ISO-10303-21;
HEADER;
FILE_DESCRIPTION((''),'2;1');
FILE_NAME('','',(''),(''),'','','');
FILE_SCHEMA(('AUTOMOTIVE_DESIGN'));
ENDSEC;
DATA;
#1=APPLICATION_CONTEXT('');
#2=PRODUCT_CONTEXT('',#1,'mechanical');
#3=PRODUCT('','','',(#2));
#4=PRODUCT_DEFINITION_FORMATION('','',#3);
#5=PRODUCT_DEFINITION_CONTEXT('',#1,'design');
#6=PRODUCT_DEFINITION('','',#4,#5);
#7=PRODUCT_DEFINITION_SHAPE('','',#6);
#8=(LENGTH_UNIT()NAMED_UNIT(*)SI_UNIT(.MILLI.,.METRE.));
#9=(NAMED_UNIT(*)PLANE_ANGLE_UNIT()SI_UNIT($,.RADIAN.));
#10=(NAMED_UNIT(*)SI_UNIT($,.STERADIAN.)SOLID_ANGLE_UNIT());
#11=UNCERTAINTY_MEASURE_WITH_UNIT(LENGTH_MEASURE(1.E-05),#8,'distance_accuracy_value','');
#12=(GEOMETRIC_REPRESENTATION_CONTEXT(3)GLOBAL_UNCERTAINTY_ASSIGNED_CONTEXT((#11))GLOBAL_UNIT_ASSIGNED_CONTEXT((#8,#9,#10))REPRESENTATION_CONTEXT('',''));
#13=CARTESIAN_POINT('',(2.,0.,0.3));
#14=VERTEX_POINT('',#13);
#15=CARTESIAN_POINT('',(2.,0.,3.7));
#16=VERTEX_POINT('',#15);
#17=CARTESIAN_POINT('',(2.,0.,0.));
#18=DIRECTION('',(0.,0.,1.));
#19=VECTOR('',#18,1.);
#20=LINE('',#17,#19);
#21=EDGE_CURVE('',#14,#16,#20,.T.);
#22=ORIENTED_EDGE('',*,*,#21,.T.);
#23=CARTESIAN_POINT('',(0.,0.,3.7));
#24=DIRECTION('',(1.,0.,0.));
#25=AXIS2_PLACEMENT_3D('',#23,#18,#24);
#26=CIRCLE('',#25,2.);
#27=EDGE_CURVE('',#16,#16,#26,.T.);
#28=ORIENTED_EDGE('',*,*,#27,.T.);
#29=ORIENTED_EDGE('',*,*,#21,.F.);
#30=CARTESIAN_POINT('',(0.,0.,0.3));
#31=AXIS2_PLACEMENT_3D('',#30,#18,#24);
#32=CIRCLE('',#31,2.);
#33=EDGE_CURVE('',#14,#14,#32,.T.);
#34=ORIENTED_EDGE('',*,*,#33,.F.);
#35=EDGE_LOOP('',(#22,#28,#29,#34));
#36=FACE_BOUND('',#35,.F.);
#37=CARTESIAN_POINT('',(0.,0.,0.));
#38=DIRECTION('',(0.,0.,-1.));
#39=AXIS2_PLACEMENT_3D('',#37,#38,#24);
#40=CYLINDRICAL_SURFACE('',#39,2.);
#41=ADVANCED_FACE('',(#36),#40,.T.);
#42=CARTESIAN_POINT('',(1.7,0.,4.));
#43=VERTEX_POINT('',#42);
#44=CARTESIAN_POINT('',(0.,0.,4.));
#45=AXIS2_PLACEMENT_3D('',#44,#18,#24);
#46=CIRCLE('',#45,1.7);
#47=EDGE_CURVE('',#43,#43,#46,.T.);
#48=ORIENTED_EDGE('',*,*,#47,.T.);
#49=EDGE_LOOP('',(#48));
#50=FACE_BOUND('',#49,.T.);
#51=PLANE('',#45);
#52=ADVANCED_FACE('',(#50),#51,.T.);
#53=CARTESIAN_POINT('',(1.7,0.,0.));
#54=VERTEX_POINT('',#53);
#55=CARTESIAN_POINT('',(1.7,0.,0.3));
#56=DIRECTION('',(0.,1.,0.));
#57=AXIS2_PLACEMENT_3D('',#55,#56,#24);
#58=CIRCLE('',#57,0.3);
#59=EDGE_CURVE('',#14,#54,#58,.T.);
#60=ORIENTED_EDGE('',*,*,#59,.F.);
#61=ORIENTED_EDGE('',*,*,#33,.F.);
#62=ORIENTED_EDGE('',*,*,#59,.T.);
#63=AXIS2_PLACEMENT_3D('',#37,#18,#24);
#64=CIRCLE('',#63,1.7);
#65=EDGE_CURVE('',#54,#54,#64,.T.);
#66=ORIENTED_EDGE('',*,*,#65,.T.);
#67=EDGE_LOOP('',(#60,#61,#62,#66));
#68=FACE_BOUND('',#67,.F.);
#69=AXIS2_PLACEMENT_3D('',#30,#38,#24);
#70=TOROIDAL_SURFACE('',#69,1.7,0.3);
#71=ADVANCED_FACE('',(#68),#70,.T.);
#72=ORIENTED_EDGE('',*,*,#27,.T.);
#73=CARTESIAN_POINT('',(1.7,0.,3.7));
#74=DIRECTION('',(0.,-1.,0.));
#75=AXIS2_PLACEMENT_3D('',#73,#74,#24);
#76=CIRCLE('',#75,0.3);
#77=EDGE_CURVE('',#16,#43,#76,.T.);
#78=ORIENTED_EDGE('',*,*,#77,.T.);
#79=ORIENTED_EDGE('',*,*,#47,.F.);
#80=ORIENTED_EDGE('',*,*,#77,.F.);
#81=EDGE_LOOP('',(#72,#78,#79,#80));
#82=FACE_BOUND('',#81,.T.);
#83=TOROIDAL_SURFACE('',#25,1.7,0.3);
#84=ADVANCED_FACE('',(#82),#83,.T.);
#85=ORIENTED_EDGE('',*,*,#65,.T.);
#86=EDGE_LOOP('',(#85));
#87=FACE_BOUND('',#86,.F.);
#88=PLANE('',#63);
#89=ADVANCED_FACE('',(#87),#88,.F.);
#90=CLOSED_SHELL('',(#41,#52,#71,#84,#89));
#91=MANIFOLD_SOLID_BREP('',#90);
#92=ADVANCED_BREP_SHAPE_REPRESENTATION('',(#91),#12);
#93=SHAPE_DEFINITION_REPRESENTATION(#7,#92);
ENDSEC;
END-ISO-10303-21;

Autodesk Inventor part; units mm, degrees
ref_plane "YZ Plane" through (0, 0, 0) normal (1, 0, 0) x (0, 1, 0)
ref_plane "XZ Plane" through (0, 0, 0) normal (0, 1, 0) x (-1, 0, 0)
ref_plane "XY Plane" through (0, 0, 0) normal (0, 0, 1) x (1, 0, 0)
sketch "Sketch1" plane through (0, 0, 0) normal (0, 0, 1) x (1, 0, 0)
  circle A0 centre (0, 0) radius 2
  dimension "d0" = 4
extrude "Extrusion1" add sketch "Sketch1" along normal blind 4
fillet "Fillet1" radius 0.3 2 edges at (-2, 0, 4) (-2, 0, 0)
properties part number "magnet4x4"
